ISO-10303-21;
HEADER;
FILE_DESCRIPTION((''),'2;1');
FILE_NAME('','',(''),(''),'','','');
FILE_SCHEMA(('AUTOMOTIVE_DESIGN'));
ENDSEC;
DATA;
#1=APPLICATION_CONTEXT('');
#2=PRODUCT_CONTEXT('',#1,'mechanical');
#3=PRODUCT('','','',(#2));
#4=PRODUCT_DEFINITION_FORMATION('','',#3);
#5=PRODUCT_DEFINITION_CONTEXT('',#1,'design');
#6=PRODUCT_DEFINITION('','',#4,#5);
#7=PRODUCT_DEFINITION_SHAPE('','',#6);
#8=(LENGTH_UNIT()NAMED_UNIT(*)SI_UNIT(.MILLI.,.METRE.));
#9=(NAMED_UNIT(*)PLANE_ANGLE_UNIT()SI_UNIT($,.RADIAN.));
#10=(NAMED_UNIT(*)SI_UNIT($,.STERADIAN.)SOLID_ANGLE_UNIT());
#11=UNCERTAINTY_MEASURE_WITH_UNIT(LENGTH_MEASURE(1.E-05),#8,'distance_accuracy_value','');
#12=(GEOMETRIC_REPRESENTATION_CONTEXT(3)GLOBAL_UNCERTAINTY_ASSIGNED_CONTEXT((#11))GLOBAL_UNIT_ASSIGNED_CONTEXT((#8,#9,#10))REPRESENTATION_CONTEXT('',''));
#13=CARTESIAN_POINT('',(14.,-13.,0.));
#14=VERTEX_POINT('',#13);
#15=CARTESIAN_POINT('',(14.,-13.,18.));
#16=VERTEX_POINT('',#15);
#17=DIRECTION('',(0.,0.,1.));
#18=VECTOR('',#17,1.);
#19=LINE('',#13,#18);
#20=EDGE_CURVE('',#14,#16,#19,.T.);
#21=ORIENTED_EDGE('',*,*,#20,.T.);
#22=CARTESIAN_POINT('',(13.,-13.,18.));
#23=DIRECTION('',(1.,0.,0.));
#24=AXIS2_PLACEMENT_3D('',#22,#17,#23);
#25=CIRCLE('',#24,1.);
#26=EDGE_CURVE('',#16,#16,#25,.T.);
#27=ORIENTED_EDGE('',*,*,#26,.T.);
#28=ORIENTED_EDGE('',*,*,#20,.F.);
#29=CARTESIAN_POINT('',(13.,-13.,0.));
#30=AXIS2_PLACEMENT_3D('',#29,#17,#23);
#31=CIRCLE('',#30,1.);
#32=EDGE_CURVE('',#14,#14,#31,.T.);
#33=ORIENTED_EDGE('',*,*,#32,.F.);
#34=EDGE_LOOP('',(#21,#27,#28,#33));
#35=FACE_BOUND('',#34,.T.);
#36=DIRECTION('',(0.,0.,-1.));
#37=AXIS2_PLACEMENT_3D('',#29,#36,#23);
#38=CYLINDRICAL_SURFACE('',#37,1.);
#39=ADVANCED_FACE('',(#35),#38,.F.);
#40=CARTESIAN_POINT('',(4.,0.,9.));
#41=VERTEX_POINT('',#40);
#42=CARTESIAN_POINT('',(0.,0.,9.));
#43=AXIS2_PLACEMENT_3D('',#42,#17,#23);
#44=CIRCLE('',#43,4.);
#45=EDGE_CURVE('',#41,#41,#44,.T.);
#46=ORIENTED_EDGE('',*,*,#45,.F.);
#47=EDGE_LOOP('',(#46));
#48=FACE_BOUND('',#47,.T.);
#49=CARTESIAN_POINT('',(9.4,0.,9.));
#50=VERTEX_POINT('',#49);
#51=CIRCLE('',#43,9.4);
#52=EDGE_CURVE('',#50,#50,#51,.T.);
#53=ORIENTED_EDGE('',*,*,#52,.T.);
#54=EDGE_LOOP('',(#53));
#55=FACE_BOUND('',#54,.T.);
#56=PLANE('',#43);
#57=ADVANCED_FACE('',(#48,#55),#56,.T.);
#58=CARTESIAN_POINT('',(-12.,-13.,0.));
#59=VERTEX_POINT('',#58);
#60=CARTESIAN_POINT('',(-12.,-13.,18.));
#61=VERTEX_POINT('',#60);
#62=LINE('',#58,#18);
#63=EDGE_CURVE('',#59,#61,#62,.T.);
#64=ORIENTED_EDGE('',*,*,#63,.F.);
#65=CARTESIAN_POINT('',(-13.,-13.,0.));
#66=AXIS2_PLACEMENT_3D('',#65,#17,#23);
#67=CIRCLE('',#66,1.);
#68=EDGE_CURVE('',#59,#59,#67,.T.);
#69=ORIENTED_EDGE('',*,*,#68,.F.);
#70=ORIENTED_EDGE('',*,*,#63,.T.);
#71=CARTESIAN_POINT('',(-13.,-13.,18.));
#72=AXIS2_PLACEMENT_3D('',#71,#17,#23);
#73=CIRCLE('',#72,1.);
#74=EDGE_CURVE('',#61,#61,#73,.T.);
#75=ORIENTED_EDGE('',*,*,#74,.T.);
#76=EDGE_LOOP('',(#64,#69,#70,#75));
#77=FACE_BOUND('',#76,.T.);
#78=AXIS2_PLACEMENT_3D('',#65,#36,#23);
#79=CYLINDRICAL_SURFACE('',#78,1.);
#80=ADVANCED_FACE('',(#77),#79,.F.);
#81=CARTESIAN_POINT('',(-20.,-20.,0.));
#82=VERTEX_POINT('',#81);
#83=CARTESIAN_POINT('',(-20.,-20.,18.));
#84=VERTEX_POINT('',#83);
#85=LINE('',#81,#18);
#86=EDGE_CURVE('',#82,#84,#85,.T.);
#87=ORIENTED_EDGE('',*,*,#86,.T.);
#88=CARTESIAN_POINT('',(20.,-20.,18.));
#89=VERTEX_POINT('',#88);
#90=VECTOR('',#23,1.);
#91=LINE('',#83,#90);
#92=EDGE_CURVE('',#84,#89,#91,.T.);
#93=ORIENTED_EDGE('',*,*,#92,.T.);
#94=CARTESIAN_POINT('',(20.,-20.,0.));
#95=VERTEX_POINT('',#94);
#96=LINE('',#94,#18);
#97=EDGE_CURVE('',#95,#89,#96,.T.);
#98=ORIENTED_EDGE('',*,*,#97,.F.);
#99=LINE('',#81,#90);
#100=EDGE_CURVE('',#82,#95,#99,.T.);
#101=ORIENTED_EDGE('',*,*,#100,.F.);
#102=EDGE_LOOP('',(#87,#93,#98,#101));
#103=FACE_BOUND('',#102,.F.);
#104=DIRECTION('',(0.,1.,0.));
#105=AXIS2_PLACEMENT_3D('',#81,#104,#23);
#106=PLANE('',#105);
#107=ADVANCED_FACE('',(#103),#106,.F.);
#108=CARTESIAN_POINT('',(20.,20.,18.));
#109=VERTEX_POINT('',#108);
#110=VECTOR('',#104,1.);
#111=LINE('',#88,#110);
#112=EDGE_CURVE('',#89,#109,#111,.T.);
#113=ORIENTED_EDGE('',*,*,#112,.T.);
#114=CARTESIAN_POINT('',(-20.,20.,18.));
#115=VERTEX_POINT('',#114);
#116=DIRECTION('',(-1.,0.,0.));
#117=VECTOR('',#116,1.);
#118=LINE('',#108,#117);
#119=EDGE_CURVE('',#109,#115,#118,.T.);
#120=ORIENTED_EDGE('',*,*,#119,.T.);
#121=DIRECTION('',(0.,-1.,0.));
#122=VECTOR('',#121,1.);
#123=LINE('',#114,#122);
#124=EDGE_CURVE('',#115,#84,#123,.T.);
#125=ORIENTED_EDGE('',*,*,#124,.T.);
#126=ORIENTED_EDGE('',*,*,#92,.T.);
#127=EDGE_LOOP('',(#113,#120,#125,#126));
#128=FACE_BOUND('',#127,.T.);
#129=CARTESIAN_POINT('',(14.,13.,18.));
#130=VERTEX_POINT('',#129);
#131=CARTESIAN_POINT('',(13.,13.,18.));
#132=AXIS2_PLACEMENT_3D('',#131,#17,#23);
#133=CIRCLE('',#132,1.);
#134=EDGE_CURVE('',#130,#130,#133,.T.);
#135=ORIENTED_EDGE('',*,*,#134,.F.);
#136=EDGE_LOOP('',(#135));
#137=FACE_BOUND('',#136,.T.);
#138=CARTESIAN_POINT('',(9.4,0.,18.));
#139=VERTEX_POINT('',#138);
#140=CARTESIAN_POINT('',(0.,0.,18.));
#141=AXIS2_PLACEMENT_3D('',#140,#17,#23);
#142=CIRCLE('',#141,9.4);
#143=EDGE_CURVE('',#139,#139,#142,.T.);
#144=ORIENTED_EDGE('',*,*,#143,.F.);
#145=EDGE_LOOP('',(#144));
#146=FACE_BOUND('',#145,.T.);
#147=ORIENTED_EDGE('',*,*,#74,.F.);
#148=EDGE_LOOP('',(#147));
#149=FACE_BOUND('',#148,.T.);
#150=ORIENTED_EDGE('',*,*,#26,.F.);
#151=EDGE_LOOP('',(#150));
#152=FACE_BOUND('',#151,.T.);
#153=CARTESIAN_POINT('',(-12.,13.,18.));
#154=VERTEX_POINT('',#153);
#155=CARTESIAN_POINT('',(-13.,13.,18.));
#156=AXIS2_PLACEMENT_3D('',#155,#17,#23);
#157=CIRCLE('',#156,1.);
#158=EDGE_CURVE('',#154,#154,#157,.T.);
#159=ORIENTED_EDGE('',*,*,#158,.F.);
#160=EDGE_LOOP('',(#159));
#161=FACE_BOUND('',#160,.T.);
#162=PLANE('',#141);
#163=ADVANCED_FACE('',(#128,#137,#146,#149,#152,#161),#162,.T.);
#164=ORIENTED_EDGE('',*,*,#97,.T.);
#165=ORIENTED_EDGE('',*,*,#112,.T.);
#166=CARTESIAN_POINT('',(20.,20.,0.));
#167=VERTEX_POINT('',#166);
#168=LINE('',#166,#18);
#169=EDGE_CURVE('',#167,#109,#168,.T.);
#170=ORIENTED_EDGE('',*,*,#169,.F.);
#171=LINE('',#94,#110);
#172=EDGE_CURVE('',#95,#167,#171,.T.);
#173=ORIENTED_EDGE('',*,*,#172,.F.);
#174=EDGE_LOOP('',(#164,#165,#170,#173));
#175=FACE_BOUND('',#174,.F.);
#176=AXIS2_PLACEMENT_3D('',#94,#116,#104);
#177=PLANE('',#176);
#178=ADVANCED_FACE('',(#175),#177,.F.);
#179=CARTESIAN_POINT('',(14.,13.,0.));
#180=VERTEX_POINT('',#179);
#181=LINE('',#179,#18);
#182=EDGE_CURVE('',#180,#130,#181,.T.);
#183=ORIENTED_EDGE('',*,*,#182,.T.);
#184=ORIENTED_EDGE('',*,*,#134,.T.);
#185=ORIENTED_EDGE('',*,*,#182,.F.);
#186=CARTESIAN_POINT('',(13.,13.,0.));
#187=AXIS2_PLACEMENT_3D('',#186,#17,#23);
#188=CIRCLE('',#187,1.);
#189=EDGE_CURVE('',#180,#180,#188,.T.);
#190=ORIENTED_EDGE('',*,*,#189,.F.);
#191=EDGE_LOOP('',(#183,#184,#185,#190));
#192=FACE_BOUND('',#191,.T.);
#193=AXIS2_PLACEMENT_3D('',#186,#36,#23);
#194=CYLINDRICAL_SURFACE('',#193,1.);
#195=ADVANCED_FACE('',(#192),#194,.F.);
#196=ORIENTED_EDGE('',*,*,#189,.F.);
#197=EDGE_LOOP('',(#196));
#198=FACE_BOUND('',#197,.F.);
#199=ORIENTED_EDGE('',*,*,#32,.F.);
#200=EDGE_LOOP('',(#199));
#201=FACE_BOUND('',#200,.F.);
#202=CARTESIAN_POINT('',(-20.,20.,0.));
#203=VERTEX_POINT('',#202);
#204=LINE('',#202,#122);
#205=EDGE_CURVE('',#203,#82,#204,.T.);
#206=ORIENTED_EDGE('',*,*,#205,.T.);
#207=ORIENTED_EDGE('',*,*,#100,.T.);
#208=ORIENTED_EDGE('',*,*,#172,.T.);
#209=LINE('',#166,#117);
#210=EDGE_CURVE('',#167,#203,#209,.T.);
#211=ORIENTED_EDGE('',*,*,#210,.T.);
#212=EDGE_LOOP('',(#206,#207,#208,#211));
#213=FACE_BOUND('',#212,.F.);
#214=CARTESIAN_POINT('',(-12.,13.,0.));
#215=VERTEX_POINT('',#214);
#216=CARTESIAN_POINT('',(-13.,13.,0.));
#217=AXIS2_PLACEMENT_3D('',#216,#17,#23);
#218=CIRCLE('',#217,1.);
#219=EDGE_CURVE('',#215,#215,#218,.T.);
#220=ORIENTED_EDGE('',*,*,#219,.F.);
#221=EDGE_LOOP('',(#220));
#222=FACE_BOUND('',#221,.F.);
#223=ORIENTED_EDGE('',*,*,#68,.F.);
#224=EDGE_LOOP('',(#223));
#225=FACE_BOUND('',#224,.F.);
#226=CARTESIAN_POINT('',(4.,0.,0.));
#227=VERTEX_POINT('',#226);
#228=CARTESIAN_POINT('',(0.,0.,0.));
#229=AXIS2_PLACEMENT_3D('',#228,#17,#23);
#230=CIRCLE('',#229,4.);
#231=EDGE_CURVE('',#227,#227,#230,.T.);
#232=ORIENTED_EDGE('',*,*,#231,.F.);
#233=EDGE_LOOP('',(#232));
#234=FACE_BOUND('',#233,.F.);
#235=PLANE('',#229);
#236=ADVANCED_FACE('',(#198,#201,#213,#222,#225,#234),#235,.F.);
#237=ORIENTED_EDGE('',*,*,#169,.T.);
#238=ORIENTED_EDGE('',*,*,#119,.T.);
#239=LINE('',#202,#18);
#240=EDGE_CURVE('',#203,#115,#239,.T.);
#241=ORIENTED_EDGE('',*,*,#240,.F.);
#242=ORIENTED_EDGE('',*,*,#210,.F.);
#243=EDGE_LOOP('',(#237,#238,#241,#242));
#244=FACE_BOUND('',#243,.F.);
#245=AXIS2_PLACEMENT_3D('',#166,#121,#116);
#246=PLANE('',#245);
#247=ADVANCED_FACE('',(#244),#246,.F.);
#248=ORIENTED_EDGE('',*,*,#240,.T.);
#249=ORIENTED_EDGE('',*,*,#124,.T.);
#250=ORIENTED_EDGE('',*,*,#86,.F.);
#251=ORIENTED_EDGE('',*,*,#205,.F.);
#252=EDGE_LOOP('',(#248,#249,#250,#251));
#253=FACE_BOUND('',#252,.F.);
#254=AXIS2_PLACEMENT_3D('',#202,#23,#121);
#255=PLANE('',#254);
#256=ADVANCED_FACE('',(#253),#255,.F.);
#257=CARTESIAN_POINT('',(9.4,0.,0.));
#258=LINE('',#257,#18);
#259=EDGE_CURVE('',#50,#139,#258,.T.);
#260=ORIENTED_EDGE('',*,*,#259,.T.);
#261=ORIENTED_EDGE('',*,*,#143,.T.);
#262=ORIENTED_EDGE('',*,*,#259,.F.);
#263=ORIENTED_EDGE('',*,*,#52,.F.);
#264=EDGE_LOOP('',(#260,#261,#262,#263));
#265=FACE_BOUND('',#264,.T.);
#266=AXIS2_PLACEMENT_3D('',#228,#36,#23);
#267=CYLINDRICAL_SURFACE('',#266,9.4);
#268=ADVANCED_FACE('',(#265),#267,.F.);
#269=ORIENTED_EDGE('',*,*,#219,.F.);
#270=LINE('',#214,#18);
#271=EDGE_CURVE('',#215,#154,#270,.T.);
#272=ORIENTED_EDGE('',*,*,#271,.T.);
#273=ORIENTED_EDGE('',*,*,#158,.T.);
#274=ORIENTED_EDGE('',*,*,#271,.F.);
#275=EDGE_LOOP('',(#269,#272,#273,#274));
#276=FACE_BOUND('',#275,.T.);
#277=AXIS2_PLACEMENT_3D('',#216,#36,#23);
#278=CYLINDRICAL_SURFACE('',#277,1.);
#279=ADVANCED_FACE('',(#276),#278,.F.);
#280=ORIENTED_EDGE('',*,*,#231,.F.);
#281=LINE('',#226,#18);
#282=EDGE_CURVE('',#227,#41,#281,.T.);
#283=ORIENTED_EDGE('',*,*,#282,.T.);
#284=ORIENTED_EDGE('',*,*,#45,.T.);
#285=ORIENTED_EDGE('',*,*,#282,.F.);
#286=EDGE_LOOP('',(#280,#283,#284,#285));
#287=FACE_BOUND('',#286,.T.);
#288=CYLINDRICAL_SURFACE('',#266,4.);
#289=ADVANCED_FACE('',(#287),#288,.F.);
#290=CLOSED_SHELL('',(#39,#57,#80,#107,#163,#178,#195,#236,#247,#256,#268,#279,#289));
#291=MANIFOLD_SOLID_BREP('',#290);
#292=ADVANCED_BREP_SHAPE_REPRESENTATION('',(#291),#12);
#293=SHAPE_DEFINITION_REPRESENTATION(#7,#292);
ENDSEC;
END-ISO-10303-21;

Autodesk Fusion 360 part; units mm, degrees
sketch "Sketch1" plane through (0, 0, 0) normal (0, 0, 1) x (1, 0, 0)
  line L0 (20, 20) -> (-20, 20)
  line L1 (-20, 20) -> (-20, -20)
  line L2 (-20, -20) -> (20, -20)
  line L3 (20, -20) -> (20, 20)
  line L4 (20, 20) -> (-20, -20) construction
  line L5 (-20, 20) -> (20, -20) construction
  circle A0 centre (0, 0) radius 4
  circle A1 centre (0, 0) radius 9.4
  line L6 (13, -13) -> (-13, -13) construction
  line L7 (-13, -13) -> (-13, 13) construction
  line L8 (-13, 13) -> (13, 13) construction
  line L9 (13, 13) -> (13, -13) construction
  line L10 (13, -13) -> (-13, 13) construction
  line L11 (-13, -13) -> (13, 13) construction
  circle A2 centre (-13, 13) radius 1
  circle A3 centre (13, 13) radius 1
  circle A4 centre (13, -13) radius 1
  circle A5 centre (-13, -13) radius 1
  dimension "d1" = 40
  dimension "d2" = 40
  dimension "d3" = 8
  dimension "d4" = 18.8
  dimension "d9" = 26
  dimension "d10" = 26
  dimension "d11" = 2
  dimension "d12" = 2
  dimension "d13" = 2
  dimension "d14" = 2
extrude "Extrude1" add sketch "Sketch1" along normal blind 9 contours A1
extrude "Extrude2" add sketch "Sketch1" along normal blind 18 contours L0 L1 L2 L3
equation "d12 = d11"
equation "d13 = d11"
equation "d14 = d11"
